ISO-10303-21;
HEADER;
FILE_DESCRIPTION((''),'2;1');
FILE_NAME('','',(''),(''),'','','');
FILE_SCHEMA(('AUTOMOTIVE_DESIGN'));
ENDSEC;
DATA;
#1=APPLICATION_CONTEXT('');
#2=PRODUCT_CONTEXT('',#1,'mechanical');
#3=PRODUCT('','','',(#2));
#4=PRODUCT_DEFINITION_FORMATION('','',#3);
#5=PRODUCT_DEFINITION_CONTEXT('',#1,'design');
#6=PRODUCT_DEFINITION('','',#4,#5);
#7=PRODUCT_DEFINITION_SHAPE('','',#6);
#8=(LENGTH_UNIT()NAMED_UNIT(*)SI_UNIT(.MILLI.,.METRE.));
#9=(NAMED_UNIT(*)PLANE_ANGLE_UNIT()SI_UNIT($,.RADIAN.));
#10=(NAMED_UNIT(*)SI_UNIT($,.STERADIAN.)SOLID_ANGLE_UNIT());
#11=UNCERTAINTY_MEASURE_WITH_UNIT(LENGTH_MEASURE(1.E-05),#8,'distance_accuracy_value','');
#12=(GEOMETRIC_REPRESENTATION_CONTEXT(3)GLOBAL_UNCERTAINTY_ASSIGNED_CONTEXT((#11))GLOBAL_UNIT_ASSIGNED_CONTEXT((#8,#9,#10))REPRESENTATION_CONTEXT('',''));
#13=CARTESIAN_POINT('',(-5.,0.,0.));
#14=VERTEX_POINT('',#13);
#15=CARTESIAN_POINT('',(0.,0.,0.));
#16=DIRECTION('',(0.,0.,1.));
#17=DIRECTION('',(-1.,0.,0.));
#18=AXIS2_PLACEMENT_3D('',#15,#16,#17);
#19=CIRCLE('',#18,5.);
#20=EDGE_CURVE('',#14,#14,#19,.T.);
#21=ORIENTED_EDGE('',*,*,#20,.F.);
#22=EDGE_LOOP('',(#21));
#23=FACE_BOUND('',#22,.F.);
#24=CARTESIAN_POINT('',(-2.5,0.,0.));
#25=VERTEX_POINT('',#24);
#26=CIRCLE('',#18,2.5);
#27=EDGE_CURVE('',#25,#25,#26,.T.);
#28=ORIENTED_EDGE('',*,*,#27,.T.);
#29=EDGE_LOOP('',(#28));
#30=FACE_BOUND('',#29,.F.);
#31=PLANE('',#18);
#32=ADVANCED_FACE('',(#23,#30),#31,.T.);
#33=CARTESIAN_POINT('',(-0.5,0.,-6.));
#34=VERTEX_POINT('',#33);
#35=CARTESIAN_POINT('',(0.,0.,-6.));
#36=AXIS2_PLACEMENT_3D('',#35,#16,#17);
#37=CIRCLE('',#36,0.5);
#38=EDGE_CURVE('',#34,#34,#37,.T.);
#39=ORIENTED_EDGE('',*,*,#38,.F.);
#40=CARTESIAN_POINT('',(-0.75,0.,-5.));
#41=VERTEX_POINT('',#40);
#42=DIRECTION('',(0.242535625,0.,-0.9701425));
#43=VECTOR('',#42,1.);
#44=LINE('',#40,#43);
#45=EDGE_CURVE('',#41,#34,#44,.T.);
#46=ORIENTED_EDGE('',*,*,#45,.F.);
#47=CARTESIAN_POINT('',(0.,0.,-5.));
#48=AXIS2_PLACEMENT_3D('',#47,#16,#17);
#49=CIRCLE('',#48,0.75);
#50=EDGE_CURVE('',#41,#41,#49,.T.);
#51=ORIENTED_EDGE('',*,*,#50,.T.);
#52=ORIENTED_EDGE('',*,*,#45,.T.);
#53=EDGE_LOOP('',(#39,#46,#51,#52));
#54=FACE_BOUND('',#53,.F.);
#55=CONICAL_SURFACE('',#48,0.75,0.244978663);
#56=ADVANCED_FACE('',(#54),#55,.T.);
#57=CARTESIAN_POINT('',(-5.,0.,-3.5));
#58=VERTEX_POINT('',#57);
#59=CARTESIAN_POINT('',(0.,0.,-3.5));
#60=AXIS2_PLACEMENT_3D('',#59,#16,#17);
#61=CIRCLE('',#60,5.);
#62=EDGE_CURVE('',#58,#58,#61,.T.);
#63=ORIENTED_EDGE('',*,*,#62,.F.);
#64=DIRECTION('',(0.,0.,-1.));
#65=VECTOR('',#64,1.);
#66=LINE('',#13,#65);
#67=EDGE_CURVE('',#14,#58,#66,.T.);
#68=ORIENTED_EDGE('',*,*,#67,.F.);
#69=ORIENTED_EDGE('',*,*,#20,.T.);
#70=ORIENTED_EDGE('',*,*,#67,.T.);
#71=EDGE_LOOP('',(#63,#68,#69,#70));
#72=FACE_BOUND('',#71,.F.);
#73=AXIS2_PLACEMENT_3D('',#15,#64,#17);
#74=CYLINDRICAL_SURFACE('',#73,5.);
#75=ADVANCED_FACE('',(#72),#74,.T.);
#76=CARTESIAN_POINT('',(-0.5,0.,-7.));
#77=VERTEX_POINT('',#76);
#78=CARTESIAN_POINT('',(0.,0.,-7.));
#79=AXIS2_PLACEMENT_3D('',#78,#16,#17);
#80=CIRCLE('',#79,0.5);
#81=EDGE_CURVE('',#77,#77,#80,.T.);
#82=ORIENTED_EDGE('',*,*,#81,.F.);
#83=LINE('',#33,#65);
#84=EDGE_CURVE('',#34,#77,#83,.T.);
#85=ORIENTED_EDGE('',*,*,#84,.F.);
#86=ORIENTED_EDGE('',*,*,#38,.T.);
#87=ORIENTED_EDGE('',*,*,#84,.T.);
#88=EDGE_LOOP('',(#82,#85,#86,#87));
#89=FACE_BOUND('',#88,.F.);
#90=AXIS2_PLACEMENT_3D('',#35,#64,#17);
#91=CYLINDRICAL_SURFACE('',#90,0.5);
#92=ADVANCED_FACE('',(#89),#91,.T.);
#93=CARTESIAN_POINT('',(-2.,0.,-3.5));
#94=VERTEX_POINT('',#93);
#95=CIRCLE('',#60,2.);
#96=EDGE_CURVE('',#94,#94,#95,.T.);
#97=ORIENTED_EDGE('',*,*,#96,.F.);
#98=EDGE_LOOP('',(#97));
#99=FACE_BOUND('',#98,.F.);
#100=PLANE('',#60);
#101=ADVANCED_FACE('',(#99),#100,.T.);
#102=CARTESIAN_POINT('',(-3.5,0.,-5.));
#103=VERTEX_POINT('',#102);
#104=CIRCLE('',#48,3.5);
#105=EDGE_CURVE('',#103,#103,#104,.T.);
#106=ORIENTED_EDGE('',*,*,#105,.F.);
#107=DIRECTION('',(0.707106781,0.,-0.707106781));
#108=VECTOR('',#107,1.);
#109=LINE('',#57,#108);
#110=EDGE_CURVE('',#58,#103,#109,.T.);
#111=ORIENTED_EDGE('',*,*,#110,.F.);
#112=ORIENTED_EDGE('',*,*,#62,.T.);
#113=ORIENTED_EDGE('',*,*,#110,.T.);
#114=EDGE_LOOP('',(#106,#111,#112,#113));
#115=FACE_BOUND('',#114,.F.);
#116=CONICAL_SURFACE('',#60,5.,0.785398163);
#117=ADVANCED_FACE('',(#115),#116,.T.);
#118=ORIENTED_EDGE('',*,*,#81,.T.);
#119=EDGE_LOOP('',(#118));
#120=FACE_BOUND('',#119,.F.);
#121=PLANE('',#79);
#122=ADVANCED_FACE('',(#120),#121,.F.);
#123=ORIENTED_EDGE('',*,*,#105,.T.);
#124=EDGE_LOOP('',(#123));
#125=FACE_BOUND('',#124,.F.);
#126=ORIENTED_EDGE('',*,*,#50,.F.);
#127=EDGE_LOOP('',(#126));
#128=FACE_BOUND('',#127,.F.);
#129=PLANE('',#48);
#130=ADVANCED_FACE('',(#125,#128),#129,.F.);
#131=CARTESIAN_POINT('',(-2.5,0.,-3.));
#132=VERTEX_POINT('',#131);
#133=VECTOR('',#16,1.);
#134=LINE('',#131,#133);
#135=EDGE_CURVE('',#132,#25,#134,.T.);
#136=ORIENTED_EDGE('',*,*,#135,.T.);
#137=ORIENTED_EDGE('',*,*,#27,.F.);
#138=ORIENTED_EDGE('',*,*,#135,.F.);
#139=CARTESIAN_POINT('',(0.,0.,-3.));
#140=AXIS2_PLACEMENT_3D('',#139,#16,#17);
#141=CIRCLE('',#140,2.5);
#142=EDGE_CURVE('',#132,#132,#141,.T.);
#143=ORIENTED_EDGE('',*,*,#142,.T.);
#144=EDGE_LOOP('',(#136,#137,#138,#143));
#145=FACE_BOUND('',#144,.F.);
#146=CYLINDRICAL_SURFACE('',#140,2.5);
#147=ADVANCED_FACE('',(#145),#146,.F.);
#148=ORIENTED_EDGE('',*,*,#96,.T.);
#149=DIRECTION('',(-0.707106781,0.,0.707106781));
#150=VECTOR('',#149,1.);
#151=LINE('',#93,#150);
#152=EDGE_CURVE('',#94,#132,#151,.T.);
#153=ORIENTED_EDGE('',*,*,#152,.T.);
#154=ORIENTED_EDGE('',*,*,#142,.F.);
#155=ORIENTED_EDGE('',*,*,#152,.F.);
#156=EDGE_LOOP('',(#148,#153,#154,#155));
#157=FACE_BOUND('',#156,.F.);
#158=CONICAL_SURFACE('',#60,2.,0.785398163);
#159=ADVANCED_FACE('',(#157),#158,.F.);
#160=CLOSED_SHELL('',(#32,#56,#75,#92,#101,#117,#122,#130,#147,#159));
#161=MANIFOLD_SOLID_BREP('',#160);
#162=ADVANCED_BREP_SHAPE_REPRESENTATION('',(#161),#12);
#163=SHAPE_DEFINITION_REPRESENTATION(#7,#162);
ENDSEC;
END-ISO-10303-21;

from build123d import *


with BuildPart() as part:
    # Sketch → Revolution (revolve)
    with BuildSketch(Plane.XZ):
        Polygon((-2.5, 0), (-5, 0), (-5, -3.5), (-3.5, -5), (-0.75, -5), (-0.5, -6), (-0.5, -7), (0, -7), (0, -3.5), (-2, -3.5), (-2.5, -3), align=None)
    revolve(axis=Axis((0, 0, 0), (0, 0, 1)))


solid = part.part
